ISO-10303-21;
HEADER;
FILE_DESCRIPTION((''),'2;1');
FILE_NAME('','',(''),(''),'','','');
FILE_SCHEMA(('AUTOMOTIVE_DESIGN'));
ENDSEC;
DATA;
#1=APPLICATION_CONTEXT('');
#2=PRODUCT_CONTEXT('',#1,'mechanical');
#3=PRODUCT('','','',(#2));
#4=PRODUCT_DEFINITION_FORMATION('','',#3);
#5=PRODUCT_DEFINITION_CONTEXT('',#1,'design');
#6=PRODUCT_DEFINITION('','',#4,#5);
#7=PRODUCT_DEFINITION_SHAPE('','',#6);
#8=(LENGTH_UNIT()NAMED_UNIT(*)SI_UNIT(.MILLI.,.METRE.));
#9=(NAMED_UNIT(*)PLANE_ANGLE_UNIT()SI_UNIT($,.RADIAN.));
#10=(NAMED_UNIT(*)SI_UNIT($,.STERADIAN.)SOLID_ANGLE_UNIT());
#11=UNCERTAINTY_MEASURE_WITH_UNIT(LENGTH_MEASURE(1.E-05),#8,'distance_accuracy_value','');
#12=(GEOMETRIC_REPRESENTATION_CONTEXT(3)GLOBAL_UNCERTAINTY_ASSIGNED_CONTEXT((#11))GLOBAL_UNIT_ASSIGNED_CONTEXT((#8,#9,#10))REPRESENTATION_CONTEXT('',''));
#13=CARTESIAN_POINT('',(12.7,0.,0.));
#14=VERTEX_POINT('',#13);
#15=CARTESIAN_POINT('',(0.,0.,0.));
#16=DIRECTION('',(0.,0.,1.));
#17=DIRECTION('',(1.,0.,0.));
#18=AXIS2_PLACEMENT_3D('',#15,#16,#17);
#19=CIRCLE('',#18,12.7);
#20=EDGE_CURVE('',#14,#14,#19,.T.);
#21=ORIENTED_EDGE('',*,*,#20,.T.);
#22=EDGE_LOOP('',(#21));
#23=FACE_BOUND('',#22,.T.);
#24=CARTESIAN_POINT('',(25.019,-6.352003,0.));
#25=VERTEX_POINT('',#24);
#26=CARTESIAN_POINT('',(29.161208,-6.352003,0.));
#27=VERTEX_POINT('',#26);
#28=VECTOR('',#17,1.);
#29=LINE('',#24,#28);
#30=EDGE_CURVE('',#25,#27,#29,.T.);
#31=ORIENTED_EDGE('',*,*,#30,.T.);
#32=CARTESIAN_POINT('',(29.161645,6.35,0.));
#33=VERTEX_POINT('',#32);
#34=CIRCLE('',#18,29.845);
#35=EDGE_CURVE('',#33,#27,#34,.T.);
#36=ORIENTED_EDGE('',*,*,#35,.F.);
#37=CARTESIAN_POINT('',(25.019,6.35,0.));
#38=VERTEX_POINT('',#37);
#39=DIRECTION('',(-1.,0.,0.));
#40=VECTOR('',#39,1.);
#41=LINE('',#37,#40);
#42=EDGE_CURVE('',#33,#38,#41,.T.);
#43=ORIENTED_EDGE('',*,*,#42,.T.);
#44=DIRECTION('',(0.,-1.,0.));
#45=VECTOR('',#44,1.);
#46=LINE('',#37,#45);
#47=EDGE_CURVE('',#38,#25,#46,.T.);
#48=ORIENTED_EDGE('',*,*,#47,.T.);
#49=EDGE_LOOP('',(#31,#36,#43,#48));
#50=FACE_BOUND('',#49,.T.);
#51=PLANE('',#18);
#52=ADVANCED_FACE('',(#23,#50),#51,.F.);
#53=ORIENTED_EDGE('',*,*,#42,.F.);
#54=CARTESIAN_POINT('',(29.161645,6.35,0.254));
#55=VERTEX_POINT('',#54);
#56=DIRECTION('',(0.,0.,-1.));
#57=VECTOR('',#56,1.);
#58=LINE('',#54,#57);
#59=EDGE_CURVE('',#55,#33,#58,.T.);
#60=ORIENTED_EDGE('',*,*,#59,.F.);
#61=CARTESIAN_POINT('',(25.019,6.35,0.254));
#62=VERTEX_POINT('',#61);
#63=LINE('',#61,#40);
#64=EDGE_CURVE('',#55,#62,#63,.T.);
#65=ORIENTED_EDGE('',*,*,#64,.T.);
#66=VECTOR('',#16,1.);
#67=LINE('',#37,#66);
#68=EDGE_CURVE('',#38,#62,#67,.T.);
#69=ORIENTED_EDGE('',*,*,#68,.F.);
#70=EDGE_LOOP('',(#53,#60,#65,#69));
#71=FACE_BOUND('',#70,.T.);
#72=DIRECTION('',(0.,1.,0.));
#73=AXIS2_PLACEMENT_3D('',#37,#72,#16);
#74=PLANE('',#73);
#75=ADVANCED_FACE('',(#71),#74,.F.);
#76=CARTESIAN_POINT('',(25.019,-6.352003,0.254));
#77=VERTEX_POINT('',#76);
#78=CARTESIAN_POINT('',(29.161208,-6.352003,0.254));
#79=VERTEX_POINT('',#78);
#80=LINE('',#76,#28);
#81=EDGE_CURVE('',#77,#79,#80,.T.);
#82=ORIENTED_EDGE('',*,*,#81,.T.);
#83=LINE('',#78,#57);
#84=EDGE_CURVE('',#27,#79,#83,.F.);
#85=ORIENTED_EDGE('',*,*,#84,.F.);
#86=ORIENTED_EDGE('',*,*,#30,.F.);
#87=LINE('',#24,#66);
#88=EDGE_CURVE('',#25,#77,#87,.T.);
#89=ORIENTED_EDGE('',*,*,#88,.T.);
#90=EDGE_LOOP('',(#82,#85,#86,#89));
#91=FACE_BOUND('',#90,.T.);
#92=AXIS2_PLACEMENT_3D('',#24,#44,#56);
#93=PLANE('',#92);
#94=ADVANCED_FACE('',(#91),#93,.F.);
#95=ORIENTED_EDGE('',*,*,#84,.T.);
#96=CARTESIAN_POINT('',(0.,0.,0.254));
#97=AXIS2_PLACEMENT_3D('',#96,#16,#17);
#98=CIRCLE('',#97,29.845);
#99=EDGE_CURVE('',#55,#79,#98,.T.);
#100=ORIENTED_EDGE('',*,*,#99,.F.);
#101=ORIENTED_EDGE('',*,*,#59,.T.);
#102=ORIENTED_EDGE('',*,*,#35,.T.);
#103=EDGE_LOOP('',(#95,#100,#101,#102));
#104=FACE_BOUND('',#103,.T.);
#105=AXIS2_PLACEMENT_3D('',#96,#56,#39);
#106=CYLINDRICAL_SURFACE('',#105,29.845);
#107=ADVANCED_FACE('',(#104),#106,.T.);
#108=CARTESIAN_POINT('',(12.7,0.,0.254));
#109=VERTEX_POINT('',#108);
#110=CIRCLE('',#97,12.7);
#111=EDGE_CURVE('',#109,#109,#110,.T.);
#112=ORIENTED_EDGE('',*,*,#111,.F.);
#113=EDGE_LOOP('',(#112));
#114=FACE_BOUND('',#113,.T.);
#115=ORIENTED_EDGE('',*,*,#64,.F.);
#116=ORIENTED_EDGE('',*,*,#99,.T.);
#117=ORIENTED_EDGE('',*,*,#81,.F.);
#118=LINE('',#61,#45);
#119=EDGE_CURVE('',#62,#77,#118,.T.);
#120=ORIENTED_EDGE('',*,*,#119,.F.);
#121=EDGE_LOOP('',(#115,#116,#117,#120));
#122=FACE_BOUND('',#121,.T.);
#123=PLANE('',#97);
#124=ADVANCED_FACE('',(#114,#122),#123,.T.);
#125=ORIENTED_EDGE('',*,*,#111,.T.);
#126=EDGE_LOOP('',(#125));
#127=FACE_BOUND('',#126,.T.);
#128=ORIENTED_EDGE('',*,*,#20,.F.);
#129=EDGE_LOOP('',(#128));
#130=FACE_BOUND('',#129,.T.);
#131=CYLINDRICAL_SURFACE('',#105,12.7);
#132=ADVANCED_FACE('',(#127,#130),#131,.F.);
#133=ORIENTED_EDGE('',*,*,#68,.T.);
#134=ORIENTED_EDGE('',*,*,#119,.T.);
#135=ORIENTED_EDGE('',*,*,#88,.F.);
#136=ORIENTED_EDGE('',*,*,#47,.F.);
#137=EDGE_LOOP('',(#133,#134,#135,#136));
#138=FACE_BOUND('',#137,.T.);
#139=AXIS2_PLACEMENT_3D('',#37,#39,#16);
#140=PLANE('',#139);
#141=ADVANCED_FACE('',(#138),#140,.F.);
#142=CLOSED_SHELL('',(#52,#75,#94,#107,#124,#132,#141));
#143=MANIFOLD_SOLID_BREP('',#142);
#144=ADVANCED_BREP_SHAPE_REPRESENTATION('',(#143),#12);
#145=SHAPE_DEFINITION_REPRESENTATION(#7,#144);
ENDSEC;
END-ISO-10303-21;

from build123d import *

# Parameters (mm, degrees)
SKETCH1_R           = 29.845
SKETCH1_R_2         = 12.7
BOSS_EXTRUDE1_DEPTH = 0.254
SKETCH2_W           = 6.745190644
SKETCH2_H           = 12.702003304
CUT_EXTRUDE1_DEPTH  = 43.207968039


with BuildPart() as part:
    # Sketch1 → Boss-Extrude1 (new body)
    with BuildSketch(Plane.XY):
        Circle(SKETCH1_R)
        Circle(SKETCH1_R_2, mode=Mode.SUBTRACT)
    extrude(amount=BOSS_EXTRUDE1_DEPTH)

    # Sketch2 → Cut-Extrude1 (cut, through all)
    with BuildSketch(Plane.XY.offset(0.254)):
        with Locations((28.391595322, -0.001001652)):
            Rectangle(SKETCH2_W, SKETCH2_H)
    extrude(amount=-CUT_EXTRUDE1_DEPTH, mode=Mode.SUBTRACT)


solid = part.part
